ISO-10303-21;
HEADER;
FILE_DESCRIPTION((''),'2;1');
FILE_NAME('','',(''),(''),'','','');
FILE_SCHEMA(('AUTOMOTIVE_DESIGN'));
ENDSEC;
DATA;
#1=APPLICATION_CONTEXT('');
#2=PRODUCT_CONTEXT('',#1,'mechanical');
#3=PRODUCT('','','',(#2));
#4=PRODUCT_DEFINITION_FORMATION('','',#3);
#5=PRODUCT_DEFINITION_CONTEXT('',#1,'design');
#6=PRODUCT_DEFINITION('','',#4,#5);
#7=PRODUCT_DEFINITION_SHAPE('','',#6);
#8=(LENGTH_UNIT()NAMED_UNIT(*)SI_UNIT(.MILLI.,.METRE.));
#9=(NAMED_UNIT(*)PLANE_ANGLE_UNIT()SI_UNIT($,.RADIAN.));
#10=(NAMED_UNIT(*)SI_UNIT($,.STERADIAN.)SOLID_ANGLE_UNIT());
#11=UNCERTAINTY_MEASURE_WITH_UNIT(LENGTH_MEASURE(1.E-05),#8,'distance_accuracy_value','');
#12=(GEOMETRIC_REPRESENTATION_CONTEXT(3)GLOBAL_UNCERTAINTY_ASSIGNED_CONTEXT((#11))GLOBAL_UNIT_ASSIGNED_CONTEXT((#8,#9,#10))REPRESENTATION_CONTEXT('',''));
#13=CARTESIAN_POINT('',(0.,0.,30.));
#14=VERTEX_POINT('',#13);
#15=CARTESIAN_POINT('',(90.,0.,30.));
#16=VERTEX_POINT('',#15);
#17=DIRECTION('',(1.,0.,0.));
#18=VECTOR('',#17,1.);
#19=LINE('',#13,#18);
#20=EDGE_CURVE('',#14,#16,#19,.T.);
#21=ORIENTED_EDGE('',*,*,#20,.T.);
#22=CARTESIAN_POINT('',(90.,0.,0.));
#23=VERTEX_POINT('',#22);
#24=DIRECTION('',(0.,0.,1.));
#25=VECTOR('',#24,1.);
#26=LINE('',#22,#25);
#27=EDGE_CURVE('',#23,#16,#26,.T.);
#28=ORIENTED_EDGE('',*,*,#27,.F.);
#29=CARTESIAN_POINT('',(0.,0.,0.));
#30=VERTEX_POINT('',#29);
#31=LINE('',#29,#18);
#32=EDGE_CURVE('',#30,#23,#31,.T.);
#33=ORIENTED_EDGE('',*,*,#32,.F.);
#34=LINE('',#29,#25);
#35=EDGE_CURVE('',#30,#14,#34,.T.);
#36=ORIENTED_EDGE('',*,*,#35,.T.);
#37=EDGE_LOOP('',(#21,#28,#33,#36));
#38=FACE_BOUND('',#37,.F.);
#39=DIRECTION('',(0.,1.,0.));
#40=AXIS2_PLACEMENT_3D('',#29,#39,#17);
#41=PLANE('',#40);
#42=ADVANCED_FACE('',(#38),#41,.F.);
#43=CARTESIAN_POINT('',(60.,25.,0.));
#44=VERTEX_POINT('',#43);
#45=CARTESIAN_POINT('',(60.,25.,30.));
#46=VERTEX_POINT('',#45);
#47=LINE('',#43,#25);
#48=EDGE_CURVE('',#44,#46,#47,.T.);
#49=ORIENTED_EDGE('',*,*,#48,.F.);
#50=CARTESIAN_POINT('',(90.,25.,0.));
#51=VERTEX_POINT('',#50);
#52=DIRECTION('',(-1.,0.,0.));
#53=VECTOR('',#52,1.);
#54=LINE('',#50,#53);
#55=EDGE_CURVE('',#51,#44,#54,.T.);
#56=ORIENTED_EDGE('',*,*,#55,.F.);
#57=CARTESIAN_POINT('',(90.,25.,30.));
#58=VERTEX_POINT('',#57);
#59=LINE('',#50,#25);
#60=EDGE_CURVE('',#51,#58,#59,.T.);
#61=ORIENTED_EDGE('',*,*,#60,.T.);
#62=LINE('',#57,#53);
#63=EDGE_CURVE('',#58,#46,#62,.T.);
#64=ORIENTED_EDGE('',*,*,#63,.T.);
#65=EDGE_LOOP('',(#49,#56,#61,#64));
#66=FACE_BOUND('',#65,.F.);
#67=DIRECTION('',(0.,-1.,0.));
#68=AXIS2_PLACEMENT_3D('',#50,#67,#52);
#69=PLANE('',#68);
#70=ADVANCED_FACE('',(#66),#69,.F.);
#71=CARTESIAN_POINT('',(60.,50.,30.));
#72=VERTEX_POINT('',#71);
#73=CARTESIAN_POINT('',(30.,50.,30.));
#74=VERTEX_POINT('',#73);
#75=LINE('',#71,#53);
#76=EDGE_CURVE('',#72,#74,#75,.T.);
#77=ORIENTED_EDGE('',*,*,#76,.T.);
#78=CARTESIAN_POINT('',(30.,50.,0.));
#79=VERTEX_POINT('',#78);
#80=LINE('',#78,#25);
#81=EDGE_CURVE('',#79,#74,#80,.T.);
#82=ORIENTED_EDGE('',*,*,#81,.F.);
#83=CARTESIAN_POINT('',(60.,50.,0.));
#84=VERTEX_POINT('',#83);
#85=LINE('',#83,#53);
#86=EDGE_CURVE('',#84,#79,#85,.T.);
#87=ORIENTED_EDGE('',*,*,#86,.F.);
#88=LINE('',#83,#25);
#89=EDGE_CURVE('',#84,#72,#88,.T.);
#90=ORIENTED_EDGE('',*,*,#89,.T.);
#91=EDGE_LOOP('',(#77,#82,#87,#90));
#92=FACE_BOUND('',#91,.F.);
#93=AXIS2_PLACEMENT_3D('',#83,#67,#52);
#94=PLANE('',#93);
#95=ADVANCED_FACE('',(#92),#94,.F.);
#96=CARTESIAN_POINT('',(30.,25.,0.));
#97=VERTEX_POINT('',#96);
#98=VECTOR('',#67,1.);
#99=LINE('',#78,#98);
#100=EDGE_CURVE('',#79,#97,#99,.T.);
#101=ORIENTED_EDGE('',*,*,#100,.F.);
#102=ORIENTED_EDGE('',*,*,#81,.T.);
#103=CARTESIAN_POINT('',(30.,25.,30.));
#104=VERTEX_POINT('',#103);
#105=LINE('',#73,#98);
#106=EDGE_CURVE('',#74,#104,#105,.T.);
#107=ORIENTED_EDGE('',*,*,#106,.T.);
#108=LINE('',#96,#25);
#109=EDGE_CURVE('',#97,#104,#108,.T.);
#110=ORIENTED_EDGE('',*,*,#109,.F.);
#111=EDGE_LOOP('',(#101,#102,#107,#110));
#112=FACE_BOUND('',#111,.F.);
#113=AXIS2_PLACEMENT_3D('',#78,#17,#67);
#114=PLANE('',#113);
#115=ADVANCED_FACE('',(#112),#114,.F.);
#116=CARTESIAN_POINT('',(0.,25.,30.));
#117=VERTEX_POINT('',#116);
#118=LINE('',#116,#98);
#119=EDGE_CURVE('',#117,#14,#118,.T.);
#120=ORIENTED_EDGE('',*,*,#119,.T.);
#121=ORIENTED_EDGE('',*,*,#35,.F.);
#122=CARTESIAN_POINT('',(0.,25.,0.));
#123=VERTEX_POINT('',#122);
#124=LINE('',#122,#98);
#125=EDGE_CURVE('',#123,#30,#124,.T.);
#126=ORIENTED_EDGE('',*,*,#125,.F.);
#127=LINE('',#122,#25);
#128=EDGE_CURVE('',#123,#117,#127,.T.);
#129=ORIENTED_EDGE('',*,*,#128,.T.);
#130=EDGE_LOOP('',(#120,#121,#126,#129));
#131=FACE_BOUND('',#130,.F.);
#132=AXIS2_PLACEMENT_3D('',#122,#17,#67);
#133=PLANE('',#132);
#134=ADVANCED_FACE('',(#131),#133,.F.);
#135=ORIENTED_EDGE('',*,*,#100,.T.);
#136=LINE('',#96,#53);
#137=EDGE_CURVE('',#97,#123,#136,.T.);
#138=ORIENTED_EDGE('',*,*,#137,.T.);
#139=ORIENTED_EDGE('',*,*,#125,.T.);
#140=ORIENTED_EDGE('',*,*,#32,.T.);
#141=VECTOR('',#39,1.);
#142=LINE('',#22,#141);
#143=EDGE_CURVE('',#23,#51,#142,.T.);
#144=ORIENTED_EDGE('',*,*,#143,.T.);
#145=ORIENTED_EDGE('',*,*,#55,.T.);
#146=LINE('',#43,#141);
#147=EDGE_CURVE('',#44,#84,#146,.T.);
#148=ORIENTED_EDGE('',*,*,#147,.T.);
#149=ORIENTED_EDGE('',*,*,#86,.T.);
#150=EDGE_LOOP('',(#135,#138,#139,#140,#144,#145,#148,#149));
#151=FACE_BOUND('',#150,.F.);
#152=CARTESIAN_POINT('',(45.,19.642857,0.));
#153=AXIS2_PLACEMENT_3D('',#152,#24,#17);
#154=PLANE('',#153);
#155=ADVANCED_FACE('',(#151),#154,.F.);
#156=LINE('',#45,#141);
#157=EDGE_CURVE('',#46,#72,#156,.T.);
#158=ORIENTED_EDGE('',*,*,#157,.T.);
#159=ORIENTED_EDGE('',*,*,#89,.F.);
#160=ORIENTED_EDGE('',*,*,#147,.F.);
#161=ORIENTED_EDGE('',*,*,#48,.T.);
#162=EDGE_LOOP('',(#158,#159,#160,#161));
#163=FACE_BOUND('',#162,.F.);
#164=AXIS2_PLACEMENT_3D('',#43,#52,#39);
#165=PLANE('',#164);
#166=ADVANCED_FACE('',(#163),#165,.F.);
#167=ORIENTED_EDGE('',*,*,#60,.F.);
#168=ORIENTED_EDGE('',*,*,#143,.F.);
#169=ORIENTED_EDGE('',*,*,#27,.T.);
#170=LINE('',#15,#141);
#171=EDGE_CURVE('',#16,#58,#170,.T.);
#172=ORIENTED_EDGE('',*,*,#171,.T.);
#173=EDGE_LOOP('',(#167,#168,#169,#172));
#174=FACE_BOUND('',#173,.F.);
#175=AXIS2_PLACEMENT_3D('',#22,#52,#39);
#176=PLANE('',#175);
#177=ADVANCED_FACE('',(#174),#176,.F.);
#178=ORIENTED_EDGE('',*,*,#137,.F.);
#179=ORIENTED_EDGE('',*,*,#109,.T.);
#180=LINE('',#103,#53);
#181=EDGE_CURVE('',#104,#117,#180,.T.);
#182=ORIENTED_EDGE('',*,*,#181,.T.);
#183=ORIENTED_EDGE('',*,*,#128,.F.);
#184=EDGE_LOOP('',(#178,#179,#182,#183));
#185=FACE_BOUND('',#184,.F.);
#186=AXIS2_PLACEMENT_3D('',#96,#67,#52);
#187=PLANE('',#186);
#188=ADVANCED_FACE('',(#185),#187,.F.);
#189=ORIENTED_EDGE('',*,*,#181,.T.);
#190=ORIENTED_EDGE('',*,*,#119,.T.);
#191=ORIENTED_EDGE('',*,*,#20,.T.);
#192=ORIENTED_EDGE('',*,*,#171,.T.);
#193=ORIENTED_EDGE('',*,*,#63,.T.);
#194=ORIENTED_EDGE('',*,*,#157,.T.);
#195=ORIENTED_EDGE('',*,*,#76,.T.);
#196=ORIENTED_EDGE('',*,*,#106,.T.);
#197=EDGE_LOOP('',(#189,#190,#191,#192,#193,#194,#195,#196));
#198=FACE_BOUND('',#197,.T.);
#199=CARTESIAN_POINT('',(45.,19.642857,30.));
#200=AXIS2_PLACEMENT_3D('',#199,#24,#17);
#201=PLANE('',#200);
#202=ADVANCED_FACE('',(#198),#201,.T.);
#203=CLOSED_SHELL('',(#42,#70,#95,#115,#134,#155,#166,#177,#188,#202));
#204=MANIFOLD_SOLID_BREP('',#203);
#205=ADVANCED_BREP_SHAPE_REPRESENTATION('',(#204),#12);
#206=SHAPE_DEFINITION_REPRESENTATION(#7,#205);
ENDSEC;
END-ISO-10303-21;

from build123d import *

# Parameters (mm, degrees)
BOSS_EXTRUDE1_DEPTH = 30


with BuildPart() as part:
    # Sketch1 → Boss-Extrude1 (new body)
    with BuildSketch(Plane.XY):
        Polygon((0, 0), (90, 0), (90, 25), (60, 25), (60, 50), (30, 50), (30, 25), (0, 25), align=None)
    extrude(amount=BOSS_EXTRUDE1_DEPTH)


solid = part.part
